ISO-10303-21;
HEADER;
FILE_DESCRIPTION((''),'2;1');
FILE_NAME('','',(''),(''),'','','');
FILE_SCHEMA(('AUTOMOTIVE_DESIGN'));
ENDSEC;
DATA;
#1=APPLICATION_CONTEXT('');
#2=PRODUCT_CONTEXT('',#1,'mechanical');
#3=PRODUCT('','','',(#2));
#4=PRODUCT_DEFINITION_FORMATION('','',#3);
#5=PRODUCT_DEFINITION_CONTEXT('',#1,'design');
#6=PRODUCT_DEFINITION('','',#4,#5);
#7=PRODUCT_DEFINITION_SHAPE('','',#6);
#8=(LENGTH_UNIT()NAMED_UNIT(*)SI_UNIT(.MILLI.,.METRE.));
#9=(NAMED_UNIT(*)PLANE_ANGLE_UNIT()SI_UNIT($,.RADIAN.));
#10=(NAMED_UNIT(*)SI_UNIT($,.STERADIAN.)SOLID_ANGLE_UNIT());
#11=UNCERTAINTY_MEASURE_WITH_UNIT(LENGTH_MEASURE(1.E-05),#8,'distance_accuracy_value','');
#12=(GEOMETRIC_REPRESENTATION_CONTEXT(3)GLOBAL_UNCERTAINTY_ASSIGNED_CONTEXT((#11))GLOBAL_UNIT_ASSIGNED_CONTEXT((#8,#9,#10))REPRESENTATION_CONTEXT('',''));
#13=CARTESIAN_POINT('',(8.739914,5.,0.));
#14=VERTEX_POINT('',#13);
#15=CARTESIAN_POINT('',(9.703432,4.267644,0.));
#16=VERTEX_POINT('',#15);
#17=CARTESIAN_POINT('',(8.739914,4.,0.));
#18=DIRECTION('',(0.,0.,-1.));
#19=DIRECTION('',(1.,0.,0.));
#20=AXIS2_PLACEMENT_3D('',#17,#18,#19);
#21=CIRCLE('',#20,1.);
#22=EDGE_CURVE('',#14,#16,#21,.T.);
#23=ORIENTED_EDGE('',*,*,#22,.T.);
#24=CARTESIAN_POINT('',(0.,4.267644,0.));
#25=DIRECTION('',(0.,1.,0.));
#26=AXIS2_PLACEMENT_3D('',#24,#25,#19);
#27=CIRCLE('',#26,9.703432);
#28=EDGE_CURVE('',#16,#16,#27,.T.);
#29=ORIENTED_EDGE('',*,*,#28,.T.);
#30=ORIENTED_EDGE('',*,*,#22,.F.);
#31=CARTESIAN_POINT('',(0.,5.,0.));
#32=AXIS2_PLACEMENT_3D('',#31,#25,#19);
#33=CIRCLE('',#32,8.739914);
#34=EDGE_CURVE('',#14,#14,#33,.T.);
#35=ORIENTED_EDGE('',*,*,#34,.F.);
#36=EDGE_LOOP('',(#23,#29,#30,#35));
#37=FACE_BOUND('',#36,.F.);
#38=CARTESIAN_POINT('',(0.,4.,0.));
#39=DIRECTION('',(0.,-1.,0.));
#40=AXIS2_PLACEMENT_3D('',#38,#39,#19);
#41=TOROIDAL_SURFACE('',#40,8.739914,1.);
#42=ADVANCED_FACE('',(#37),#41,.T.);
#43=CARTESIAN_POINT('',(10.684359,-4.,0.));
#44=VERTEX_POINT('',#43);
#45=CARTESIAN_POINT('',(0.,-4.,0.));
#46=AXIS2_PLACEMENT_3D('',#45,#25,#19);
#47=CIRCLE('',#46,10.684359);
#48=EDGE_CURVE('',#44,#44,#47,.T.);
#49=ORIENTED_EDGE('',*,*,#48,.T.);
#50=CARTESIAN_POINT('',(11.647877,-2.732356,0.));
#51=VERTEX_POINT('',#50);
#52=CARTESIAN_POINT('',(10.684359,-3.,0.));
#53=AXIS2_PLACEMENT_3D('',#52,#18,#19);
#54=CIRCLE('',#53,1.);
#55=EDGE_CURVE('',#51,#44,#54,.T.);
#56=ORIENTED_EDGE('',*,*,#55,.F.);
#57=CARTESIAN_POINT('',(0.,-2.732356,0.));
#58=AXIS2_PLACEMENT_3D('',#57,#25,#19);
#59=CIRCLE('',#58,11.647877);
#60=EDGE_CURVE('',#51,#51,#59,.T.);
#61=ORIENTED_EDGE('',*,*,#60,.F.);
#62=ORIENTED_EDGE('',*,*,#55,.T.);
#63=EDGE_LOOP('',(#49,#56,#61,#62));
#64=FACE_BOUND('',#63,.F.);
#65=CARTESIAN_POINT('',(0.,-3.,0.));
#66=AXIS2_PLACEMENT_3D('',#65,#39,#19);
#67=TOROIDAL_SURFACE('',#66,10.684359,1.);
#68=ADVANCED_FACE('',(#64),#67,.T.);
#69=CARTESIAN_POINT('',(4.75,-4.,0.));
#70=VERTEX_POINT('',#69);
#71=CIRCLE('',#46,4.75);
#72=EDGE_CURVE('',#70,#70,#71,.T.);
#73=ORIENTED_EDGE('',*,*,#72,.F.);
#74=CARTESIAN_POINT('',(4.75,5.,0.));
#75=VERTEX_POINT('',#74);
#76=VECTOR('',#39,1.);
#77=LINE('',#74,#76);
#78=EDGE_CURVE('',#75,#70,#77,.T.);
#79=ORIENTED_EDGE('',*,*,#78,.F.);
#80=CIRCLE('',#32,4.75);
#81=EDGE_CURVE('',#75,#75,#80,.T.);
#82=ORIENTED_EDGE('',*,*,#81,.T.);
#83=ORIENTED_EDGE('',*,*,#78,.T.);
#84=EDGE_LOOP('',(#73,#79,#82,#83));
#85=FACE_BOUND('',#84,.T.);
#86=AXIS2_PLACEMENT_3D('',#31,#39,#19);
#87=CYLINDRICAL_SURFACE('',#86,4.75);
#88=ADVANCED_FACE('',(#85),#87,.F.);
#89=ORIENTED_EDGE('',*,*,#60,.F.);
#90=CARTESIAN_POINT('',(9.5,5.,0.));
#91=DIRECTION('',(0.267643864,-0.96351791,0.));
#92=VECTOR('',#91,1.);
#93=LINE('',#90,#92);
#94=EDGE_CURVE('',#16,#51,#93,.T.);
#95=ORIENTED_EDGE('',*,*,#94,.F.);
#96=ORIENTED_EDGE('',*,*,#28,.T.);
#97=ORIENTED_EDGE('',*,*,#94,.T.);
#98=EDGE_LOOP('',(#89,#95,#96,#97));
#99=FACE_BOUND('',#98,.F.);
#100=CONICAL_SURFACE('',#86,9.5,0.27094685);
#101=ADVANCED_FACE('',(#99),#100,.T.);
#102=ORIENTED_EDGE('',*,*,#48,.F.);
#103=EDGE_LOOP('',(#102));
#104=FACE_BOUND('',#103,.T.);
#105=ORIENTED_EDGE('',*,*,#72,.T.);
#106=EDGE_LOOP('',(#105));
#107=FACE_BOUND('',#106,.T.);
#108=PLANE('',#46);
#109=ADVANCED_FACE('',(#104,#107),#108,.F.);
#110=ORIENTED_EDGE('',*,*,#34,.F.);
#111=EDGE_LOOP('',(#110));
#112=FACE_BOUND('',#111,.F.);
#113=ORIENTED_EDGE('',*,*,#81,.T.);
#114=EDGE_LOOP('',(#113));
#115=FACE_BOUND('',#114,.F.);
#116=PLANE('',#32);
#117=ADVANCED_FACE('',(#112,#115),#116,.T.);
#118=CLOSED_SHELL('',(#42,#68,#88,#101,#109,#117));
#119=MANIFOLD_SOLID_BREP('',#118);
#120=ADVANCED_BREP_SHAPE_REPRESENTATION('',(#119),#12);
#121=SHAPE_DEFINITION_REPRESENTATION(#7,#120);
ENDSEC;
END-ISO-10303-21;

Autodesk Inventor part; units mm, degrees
ref_plane "YZ Plane" through (0, 0, 0) normal (1, 0, 0) x (0, 1, 0)
ref_plane "XZ Plane" through (0, 0, 0) normal (0, 1, 0) x (-1, 0, 0)
ref_plane "XY Plane" through (0, 0, 0) normal (0, 0, 1) x (1, 0, 0)
sketch "Schizzo1" plane through (0, 0, 0) normal (0, 0, 1) x (1, 0, 0)
  line L0 (4.75, 5) -> (9.5, 5)
  line L1 (4.75, -4) -> (12, -4)
  line L2 (9.5, 5) -> (12, -4)
  line L3 (4.75, 5) -> (4.75, -4)
  line L4 (0, -5.8) -> (0, 6.8) projected
  point P0 (0, 0)
  dimension "d10" = 12
  dimension "d11" = 4.75
  dimension "d12" = 9.5
  dimension "d13" = 9
revolve "Rivoluzione2" add sketch "Schizzo1" angle 360 about axis through (0, -10, 0) along (0, 1, 0)
fillet "Raccordo2" radius 1 2 edges at (-12, -4, 0) (-9.5, 5, 0)
properties part number "Gommino superiore"
